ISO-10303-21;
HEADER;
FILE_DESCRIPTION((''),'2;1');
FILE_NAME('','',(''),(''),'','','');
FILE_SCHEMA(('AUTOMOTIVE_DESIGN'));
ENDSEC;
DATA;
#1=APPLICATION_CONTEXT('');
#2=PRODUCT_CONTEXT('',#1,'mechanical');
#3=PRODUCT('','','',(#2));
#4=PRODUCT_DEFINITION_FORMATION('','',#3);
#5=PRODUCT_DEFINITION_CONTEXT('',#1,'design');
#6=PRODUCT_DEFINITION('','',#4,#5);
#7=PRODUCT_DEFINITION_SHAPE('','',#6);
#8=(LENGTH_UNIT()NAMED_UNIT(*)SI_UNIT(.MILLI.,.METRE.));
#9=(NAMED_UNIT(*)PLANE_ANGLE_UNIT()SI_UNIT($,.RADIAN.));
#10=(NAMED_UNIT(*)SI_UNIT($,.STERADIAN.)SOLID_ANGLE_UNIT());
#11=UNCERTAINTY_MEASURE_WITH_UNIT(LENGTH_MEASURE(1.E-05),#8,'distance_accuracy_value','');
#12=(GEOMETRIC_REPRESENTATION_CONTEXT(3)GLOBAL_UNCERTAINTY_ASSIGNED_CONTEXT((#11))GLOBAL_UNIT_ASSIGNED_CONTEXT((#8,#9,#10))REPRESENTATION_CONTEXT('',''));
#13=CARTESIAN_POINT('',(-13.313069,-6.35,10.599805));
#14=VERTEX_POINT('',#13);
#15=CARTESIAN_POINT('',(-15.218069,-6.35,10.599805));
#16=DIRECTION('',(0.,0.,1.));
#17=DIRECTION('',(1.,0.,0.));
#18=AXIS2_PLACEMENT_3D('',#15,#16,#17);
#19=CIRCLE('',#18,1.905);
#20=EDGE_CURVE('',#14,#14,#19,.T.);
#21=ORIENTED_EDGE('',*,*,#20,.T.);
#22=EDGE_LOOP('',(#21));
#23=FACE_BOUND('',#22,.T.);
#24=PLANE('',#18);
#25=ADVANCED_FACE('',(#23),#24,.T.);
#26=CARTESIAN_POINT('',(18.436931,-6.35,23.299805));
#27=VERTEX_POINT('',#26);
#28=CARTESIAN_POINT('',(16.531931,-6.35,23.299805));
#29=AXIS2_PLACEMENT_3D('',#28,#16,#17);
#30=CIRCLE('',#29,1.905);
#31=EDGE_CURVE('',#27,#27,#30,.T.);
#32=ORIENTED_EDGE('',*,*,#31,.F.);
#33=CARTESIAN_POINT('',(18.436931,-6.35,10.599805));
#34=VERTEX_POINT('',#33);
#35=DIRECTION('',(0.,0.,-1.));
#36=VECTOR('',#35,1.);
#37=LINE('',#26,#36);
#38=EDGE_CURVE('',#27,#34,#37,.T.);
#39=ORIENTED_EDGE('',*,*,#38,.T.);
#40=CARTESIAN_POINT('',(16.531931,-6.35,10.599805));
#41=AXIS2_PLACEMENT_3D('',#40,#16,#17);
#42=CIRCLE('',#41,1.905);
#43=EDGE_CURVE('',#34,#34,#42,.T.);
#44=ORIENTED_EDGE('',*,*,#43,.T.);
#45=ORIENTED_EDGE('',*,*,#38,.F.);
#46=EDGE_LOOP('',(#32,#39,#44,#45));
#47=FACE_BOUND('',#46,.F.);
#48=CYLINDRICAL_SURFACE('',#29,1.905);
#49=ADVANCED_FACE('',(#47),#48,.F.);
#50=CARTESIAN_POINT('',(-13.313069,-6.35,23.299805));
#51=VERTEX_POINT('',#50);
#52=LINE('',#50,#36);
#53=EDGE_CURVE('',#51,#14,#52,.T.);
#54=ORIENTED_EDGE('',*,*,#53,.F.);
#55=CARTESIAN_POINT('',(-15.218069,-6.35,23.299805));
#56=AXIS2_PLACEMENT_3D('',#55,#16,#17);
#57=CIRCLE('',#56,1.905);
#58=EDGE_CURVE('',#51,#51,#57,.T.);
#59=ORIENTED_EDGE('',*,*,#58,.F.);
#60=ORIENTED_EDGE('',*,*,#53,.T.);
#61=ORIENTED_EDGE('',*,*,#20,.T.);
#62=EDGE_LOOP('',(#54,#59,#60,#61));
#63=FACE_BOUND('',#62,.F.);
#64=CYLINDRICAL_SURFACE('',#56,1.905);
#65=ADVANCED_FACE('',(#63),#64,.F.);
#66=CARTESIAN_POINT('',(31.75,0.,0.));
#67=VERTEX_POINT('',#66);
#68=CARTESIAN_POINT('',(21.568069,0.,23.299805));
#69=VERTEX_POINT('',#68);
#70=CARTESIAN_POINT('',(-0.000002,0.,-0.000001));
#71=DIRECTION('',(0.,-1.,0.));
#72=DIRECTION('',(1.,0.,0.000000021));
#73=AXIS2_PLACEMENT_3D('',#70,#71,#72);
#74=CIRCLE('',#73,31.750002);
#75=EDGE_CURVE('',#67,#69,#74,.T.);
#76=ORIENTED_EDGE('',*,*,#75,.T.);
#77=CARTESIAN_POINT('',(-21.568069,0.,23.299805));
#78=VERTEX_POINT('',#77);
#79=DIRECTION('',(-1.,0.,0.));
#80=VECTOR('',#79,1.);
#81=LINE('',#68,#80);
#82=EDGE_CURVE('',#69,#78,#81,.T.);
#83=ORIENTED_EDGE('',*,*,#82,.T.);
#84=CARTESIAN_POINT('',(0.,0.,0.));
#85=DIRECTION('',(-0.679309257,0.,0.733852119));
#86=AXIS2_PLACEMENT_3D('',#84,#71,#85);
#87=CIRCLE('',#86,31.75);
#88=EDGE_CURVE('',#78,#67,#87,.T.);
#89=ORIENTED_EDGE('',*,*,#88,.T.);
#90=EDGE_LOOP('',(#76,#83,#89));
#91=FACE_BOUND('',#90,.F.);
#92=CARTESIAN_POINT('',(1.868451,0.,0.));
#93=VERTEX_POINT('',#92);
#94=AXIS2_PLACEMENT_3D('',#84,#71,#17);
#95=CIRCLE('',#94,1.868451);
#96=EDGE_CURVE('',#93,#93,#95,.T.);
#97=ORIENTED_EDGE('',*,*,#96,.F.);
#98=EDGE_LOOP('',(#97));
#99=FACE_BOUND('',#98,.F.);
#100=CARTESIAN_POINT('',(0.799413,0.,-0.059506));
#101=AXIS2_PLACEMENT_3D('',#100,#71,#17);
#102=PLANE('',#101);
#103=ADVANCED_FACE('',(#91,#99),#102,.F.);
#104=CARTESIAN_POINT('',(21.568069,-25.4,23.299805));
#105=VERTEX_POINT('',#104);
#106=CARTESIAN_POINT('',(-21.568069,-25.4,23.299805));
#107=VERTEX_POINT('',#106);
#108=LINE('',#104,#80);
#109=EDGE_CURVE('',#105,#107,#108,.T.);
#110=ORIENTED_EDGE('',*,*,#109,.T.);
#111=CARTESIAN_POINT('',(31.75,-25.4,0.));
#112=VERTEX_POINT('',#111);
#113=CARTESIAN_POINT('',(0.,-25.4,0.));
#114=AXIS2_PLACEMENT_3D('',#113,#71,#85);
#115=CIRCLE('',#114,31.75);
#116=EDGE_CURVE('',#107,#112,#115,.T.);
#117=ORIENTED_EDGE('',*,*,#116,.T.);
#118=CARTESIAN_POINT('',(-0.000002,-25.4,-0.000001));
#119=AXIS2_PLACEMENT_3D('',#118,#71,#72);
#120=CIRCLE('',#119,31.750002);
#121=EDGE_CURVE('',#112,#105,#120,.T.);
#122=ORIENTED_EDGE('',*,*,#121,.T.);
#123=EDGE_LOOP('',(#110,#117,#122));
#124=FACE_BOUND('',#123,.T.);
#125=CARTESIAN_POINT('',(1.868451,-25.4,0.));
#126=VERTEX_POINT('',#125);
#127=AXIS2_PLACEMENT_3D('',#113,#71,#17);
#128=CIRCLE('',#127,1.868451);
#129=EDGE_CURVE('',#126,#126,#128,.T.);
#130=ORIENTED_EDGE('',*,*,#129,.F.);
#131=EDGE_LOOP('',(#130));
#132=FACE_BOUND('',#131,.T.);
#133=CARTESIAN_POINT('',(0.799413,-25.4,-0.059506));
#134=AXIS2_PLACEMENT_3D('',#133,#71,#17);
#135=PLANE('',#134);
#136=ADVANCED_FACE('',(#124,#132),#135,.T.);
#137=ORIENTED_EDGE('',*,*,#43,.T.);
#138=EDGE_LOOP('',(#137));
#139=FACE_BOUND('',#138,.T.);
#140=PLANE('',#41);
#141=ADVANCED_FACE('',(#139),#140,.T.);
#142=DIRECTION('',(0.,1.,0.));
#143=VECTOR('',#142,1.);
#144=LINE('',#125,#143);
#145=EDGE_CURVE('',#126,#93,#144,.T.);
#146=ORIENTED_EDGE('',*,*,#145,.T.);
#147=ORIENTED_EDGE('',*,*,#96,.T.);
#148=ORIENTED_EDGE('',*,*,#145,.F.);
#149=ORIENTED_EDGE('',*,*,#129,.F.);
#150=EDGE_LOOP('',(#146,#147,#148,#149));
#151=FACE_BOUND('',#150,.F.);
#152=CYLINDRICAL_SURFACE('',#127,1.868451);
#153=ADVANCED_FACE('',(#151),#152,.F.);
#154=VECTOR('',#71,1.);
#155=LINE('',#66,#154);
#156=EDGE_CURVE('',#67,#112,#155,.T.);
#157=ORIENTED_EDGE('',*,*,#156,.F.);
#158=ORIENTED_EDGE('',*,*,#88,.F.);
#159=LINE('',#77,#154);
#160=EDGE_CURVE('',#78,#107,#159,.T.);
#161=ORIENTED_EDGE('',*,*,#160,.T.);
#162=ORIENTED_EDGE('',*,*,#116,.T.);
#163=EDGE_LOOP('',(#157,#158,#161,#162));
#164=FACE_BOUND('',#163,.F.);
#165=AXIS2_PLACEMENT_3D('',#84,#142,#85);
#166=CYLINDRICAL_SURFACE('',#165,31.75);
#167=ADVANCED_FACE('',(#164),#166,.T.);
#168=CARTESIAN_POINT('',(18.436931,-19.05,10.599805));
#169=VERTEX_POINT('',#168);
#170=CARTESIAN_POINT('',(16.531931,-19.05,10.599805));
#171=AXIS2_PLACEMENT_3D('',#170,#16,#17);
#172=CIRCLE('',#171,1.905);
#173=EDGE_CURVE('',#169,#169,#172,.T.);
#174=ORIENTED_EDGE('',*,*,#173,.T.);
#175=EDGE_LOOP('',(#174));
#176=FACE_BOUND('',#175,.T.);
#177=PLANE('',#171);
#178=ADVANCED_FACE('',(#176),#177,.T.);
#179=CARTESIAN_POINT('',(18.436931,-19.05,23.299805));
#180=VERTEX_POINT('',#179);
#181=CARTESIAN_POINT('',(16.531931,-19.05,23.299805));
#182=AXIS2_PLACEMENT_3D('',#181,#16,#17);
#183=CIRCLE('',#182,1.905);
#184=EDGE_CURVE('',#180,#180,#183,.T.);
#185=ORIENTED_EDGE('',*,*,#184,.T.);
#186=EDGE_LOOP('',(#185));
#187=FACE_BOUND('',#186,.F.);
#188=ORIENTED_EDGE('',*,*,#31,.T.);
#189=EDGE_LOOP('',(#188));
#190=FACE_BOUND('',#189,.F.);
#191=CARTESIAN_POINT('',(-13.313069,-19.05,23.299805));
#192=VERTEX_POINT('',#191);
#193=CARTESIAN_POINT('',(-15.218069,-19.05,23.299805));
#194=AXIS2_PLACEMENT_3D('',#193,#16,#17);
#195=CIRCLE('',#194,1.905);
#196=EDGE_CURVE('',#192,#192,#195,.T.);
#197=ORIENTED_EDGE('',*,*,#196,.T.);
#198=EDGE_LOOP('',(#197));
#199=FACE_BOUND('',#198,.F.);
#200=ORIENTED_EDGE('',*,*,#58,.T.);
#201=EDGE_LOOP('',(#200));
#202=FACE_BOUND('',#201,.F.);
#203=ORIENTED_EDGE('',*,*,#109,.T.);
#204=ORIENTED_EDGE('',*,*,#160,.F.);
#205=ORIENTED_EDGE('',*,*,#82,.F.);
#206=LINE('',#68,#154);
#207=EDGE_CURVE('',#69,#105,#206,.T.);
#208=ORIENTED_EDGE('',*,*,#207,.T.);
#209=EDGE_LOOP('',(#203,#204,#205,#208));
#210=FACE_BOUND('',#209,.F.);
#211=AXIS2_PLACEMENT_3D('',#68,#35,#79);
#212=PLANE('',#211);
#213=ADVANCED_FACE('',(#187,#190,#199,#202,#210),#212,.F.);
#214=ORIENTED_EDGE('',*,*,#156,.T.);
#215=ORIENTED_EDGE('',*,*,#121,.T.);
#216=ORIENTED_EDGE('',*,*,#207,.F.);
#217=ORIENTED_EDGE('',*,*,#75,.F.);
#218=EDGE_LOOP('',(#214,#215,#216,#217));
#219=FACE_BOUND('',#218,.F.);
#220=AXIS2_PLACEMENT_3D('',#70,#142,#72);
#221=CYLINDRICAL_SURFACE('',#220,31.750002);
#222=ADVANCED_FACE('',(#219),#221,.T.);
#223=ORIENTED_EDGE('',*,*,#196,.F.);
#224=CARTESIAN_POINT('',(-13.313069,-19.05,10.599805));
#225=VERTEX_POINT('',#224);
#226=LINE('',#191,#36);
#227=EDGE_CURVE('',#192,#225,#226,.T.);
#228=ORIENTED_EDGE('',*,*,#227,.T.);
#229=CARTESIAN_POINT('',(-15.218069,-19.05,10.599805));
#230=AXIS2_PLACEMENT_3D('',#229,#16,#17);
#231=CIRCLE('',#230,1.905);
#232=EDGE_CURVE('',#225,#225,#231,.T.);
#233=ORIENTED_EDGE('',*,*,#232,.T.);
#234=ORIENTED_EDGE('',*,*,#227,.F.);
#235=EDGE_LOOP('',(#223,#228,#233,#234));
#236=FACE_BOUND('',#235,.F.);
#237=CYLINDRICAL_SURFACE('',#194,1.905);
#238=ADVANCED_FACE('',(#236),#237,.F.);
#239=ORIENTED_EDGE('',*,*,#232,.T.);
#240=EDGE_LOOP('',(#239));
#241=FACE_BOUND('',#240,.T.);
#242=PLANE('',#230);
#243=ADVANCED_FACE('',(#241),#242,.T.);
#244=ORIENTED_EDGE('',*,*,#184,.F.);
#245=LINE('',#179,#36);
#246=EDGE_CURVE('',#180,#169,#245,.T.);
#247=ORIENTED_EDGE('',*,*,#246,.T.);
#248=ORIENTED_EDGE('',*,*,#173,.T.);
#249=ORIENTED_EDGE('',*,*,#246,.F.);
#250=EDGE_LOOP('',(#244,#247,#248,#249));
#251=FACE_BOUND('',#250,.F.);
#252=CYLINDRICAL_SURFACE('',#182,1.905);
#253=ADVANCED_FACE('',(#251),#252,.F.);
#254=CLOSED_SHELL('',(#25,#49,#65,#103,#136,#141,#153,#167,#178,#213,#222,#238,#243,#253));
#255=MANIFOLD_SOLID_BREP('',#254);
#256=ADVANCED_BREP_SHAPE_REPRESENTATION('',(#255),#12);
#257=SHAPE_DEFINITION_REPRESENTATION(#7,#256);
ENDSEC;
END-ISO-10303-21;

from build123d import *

# Parameters (mm, degrees)
F1_DEPTH = 25.4
F2_R     = 1.905
F3_DEPTH = 12.7
F4_R     = 1.868451
F5_DEPTH = 25.4


with BuildPart() as f1:
    # F0 (on Front) → F1 (new body)
    with BuildSketch(Plane.XZ):
        with BuildLine():
            ThreePointArc((-21.568069, 23.299805), (-12.713699, -29.093373), (31.75, 0))
            ThreePointArc((31.75, 0), (29.093373, 12.713699), (21.568069, 23.299805))
            Line((21.568069, 23.299805), (-21.568069, 23.299805))
        make_face()
    extrude(amount=F1_DEPTH)

    # F2 (on face) → F3 (cut)
    with BuildSketch(Plane.XY.offset(23.299805)):
        with Locations((-15.218069, -6.35)):
            Circle(F2_R)
        with Locations((-15.218069, -19.05)):
            Circle(F2_R)
        with Locations((16.531931, -19.05)):
            Circle(F2_R)
        with Locations((16.531931, -6.35)):
            Circle(F2_R)
    extrude(amount=-F3_DEPTH, mode=Mode.SUBTRACT)

    # F4 (on face) → F5 (cut)
    with BuildSketch(Plane.XZ.offset(25.4)):
        Circle(F4_R)
    extrude(amount=-F5_DEPTH, mode=Mode.SUBTRACT)


solid = f1.part
